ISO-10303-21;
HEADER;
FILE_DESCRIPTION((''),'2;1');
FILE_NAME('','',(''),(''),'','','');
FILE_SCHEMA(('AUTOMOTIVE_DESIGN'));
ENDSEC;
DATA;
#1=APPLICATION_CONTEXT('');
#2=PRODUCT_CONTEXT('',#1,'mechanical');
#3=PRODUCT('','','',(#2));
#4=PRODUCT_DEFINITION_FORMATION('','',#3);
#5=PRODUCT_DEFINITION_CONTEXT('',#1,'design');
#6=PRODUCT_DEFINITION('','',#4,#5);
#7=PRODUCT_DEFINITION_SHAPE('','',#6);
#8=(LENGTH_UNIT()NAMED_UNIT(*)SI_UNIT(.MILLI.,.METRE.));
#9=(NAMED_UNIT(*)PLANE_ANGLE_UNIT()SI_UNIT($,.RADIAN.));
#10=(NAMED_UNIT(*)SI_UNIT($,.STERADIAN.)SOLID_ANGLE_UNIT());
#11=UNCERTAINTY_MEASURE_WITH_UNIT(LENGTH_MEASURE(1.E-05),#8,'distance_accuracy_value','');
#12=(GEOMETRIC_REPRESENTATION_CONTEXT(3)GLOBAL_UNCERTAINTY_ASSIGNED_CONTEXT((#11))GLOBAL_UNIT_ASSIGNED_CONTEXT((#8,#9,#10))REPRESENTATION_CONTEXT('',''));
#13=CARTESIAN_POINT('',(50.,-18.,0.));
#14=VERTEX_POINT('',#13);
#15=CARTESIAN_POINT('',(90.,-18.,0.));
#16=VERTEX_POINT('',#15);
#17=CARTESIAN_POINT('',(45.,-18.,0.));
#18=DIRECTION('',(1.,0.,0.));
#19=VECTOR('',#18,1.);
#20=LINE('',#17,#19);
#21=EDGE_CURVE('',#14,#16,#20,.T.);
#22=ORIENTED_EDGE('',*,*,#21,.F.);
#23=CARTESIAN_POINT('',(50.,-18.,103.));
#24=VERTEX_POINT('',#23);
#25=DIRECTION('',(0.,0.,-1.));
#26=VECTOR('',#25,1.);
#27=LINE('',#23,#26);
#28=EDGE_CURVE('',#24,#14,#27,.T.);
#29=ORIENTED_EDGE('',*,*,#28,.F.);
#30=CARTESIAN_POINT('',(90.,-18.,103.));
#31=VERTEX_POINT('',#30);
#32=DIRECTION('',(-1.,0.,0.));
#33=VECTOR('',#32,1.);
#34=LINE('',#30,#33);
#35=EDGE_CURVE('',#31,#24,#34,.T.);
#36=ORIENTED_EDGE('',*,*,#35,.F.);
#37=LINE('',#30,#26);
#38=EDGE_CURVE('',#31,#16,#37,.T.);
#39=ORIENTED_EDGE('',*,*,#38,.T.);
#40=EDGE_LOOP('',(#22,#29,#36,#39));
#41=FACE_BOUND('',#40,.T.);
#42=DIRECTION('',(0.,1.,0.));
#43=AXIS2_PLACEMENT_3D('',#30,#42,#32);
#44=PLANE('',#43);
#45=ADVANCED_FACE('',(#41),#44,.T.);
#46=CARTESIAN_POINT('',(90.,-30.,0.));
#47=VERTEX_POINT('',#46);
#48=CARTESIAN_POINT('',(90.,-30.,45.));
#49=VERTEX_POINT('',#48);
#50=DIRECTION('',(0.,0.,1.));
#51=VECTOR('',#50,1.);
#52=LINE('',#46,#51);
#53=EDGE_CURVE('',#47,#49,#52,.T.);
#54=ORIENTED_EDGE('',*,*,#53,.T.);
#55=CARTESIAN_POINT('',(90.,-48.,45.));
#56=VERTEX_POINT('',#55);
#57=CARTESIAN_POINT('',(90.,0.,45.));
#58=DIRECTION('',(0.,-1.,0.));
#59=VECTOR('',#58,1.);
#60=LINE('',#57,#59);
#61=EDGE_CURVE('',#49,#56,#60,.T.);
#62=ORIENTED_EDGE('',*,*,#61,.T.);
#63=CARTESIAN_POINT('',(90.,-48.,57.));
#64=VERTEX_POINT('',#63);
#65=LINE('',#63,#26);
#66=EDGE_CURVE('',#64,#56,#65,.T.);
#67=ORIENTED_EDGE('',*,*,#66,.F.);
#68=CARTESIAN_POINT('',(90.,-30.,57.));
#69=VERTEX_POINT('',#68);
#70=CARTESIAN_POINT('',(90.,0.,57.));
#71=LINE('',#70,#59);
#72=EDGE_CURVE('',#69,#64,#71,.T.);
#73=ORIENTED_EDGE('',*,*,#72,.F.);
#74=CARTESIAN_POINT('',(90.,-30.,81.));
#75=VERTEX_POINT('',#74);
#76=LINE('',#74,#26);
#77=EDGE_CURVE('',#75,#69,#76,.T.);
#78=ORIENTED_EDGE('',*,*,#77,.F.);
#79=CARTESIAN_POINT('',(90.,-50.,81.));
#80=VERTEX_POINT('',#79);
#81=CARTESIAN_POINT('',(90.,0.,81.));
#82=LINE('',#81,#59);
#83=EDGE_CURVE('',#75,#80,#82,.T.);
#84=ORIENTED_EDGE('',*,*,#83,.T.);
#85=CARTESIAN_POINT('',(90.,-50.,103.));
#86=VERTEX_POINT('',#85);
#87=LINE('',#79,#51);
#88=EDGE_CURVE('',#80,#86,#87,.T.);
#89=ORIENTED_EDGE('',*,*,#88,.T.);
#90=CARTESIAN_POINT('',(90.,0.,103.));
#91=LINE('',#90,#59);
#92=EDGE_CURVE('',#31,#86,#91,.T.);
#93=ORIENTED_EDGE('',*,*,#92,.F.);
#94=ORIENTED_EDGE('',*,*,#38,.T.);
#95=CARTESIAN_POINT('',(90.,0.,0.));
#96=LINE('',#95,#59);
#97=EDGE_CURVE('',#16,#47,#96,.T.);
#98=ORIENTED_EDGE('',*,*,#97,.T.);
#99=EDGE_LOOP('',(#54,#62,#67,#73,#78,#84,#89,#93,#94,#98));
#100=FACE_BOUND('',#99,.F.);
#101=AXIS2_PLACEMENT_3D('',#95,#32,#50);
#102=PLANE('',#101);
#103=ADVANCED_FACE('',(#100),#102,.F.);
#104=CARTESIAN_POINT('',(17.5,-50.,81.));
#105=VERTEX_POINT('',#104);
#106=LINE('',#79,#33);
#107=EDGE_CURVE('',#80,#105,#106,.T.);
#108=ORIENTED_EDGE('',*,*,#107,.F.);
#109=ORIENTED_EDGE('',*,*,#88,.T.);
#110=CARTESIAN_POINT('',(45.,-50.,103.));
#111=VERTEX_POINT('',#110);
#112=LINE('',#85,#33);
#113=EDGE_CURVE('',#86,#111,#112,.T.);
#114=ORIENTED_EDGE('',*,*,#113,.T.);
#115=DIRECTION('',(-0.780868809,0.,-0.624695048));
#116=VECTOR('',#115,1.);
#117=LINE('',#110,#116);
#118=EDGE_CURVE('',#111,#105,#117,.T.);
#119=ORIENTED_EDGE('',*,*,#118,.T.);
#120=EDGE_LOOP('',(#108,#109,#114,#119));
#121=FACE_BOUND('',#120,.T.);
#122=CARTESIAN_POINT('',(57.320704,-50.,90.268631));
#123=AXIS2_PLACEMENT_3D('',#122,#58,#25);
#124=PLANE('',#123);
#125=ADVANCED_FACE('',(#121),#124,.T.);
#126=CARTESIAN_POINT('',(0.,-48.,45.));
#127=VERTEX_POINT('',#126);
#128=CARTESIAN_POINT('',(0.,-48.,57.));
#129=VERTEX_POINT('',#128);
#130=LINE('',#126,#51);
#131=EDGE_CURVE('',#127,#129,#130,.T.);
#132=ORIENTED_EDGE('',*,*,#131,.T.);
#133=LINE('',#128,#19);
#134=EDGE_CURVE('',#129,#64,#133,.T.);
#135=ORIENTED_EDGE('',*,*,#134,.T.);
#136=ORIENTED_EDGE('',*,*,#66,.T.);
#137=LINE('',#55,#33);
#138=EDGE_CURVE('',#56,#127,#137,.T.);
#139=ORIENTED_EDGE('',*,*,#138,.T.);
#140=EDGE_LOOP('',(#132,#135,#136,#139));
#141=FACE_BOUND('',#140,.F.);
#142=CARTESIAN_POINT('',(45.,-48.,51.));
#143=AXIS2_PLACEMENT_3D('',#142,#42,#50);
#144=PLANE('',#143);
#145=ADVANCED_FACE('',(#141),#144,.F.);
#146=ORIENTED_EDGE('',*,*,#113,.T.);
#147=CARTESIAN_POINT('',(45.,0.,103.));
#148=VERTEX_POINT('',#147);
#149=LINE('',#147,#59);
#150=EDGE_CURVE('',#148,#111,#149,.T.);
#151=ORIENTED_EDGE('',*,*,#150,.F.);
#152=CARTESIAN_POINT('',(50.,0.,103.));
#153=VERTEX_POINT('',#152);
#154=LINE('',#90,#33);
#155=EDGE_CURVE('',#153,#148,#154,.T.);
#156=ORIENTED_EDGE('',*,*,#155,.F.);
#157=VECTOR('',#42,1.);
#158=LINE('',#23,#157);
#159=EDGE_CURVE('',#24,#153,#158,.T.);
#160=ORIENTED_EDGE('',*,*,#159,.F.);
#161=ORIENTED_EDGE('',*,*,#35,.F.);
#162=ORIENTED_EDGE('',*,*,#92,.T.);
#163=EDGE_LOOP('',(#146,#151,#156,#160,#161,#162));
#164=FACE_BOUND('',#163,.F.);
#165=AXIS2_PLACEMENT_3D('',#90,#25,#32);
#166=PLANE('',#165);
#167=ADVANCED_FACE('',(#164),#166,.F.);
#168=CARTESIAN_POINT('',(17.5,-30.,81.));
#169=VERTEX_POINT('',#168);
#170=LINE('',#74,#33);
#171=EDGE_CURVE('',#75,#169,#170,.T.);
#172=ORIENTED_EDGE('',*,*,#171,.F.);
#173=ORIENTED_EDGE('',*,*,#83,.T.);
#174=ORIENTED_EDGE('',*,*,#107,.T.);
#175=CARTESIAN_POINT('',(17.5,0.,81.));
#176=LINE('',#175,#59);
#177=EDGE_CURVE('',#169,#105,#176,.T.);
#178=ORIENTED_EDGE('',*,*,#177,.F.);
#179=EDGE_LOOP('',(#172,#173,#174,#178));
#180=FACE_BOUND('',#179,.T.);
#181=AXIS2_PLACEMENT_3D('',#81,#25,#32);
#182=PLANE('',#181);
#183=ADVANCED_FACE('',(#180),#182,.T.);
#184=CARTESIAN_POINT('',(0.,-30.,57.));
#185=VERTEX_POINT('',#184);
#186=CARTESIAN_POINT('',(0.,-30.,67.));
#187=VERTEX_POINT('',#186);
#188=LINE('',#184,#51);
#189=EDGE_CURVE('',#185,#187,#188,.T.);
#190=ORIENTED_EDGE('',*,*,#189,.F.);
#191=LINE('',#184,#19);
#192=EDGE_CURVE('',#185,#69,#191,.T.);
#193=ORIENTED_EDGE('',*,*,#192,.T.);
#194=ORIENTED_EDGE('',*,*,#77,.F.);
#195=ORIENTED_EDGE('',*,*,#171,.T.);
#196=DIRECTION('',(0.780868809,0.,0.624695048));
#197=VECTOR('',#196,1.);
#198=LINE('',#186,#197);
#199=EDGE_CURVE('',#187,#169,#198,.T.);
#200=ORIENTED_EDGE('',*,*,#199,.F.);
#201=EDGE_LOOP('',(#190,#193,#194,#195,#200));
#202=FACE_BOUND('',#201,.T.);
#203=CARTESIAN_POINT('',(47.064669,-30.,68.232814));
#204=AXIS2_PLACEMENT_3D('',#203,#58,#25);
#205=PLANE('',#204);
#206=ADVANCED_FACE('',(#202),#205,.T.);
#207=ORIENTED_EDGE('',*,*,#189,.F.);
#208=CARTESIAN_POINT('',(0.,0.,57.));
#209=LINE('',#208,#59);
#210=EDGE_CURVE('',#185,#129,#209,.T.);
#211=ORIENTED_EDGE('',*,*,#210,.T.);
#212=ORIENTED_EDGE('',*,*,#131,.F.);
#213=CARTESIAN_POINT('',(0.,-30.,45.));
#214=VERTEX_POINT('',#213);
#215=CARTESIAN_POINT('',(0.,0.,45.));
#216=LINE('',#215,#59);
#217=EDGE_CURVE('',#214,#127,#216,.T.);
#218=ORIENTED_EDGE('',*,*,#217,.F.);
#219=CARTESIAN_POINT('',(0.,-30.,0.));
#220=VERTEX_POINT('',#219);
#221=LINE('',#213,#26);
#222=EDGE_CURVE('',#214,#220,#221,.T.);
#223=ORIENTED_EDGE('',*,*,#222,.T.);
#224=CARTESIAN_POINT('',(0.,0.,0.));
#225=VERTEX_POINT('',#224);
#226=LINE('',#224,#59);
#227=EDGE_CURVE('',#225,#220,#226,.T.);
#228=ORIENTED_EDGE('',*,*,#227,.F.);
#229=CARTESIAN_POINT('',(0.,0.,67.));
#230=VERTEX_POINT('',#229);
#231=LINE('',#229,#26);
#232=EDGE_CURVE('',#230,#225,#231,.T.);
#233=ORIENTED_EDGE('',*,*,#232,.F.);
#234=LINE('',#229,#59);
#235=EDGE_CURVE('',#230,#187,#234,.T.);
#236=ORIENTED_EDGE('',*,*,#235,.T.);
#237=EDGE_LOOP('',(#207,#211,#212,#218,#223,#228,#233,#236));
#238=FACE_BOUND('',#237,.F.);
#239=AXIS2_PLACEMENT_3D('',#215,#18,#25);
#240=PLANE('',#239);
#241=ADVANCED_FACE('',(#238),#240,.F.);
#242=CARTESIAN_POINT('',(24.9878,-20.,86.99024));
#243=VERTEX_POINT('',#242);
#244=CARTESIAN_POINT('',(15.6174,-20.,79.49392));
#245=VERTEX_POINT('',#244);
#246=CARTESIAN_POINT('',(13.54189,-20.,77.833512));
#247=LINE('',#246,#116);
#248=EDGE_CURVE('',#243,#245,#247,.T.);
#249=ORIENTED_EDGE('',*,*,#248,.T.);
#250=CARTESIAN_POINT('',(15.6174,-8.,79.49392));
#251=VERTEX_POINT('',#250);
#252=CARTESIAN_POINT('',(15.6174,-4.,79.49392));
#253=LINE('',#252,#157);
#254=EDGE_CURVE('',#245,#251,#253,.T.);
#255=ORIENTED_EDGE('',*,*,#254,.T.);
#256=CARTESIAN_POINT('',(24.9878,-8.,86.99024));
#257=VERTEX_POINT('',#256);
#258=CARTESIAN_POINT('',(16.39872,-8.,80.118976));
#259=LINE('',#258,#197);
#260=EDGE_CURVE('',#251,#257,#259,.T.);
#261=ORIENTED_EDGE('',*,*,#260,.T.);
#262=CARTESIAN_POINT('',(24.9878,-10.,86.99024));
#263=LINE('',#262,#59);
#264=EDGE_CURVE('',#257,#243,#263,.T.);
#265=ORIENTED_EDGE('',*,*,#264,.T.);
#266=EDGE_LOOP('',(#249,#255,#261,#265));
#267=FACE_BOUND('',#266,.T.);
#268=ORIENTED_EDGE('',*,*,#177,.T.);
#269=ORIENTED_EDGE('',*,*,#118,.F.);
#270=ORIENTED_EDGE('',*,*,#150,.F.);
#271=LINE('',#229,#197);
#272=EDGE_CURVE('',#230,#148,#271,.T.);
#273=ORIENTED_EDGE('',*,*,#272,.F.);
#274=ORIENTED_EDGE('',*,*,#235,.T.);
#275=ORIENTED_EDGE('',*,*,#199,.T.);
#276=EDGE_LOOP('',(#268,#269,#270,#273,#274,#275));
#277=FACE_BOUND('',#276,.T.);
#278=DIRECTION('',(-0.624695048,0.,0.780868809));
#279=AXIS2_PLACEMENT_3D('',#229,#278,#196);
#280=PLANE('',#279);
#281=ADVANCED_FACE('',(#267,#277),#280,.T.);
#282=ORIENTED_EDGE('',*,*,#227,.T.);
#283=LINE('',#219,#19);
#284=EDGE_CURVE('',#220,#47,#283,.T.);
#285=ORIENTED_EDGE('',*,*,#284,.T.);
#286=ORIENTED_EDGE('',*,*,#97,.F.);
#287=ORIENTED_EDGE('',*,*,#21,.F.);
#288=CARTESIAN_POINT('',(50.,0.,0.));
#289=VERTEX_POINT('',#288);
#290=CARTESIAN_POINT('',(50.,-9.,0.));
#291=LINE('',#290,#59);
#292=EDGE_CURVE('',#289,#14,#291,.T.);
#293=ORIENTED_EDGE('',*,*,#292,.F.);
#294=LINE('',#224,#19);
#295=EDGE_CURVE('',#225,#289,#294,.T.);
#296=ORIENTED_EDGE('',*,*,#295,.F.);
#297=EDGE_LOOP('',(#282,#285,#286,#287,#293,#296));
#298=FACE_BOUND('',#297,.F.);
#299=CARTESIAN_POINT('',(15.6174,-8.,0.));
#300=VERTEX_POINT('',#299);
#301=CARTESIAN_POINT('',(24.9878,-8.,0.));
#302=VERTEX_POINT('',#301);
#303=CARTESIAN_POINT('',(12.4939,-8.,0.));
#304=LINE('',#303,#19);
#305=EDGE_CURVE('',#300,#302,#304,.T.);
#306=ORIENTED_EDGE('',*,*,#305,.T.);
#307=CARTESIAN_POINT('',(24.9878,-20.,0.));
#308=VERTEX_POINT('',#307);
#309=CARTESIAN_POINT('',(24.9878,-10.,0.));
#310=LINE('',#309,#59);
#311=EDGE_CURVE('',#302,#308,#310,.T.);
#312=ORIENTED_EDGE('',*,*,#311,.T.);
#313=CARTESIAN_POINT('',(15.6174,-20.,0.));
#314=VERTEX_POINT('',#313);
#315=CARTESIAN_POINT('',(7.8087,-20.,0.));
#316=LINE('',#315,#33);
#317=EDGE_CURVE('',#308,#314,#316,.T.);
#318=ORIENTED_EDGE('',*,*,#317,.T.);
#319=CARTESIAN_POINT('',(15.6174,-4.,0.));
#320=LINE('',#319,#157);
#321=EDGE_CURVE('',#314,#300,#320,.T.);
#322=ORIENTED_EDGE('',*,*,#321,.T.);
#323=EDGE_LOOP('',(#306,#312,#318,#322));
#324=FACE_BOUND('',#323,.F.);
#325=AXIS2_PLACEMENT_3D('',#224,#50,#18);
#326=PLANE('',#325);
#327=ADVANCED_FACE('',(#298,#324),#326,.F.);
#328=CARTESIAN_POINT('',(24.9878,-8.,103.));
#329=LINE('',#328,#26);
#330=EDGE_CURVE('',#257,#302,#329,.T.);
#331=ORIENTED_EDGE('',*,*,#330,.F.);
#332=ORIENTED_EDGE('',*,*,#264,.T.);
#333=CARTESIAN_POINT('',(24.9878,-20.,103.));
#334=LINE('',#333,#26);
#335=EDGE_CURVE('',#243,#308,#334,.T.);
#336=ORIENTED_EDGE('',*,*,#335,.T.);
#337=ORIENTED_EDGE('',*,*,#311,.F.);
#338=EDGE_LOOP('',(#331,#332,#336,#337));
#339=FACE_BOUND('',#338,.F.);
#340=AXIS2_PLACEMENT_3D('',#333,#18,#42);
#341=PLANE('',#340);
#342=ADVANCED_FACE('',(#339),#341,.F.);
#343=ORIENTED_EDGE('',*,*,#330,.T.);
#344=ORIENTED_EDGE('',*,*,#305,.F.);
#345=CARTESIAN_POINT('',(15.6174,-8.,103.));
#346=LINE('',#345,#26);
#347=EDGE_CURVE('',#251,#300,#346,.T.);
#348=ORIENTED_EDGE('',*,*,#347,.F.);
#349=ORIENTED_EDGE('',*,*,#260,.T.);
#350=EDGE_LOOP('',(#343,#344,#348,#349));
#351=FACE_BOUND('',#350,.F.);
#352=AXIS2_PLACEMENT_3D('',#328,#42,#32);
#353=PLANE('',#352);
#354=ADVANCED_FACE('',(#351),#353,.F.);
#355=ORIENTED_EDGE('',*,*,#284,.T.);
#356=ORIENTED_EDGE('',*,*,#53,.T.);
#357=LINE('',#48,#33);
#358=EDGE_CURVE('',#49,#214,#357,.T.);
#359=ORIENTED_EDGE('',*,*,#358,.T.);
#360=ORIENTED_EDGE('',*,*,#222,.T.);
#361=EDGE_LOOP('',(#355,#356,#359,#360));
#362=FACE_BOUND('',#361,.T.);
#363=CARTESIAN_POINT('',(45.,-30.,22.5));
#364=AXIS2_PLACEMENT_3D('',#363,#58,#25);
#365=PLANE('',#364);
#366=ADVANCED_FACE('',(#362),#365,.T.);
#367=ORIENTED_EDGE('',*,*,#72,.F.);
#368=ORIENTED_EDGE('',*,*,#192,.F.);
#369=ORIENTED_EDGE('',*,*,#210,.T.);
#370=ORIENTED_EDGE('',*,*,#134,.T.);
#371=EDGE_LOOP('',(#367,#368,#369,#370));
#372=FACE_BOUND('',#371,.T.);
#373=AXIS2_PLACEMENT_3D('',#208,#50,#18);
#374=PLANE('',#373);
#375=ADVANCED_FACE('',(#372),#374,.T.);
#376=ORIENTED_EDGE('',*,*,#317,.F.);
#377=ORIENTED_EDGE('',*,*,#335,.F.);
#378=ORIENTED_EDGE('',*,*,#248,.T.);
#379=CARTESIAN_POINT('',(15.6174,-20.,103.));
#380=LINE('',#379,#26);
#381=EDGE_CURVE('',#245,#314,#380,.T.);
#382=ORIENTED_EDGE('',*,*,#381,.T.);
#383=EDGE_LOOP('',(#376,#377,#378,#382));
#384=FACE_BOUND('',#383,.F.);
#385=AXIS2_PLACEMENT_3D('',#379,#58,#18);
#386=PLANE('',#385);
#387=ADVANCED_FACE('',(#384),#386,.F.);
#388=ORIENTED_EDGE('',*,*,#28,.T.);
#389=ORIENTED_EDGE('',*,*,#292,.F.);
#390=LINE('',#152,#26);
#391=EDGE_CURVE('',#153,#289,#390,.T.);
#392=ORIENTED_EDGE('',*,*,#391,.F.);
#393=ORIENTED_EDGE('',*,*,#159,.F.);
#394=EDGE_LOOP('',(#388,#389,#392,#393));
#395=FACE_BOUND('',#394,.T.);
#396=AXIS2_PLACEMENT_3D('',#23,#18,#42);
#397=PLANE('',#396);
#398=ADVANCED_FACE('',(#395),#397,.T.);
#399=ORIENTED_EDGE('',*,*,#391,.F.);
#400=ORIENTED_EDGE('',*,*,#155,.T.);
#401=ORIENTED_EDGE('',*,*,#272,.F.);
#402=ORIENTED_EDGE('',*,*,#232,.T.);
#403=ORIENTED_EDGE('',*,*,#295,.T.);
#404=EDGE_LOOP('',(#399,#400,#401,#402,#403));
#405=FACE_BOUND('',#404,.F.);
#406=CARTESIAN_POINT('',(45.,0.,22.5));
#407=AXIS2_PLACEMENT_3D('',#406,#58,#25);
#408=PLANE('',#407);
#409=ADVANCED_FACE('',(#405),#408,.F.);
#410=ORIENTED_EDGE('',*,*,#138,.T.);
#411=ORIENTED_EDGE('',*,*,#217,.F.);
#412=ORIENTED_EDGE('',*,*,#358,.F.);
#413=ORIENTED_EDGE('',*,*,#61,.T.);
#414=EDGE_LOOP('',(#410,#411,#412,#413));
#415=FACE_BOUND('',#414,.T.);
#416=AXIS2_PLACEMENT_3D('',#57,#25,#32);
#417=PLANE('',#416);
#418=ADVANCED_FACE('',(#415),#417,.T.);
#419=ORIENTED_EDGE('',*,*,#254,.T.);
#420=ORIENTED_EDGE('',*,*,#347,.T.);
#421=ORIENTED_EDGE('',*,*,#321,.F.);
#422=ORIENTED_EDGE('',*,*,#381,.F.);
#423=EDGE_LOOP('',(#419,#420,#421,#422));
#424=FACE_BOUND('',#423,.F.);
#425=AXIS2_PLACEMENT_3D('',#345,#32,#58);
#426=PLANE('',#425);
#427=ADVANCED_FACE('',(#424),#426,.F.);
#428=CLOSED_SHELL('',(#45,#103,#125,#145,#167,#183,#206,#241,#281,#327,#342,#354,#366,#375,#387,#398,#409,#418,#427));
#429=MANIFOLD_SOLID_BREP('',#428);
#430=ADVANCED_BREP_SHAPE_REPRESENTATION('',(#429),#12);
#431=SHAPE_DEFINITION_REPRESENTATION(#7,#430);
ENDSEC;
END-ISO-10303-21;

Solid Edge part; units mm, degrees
sketch "Sketch1" plane through (0, 0, 0) normal (0, -1, 0) x (1, 0, 0)
  line L0 (90, 45) -> (0, 45)
  line L1 (0, 45) -> (0, 0)
  line L2 (0, 0) -> (90, 0)
  line L3 (90, 0) -> (90, 45)
extrude "Protrusion1" add sketch "Sketch1" along normal blind 30
sketch "Sketch2" plane through (0, 0, 0) normal (0, -1, 0) x (1, 0, 0)
  line L0 (0, 57) -> (90, 57)
  line L1 (90, 57) -> (90, 45)
  line L2 (90, 45) -> (0, 45)
  line L3 (0, 45) -> (0, 57)
extrude "ExtrudedProtrusion_5" add sketch "Sketch2" along normal blind 48
sketch "Sketch3" plane through (0, 0, 0) normal (0, -1, 0) x (1, 0, 0)
  line L0 (90, 81) -> (17.5, 81)
  line L1 (0, 67) -> (17.5, 81)
  line L2 (0, 57) -> (0, 67)
  line L3 (0, 57) -> (90, 57)
  line L4 (90, 67) -> (90, 57)
  line L5 (90, 67) -> (90, 81)
extrude "ExtrudedProtrusion_6" add sketch "Sketch3" along normal blind 30
sketch "Sketch4" plane through (0, 0, 0) normal (0, -1, 0) x (1, 0, 0)
  line L0 (45, 103) -> (17.5, 81)
  line L1 (90, 81) -> (17.5, 81)
  line L2 (90, 81) -> (90, 103)
  line L3 (90, 103) -> (45, 103)
extrude "ExtrudedProtrusion_7" add sketch "Sketch4" along normal blind 50
sketch "Sketch5" plane through (67.5, -25, 103) normal (0, 0, 1) x (1, 0, 0)
  line L0 (22.5, 7) -> (-17.5, 7)
  line L1 (-17.5, 7) -> (-17.5, 25)
  line L2 (-17.5, 25) -> (22.5, 25)
  line L3 (22.5, 25) -> (22.5, 7)
extrude "Cutout1" cut sketch "Sketch5" against normal up to next
sketch "Sketch6" plane through (67.5, -25, 103) normal (0, 0, 1) x (1, 0, 0)
  line L0 (-51.8826, 17) -> (-51.8826, 5)
  line L1 (-51.8826, 5) -> (-42.5122, 5)
  line L2 (-42.5122, 5) -> (-42.5122, 17)
  line L3 (-42.5122, 17) -> (-51.8826, 17)
extrude "Cutout2" cut sketch "Sketch6" against normal up to next
